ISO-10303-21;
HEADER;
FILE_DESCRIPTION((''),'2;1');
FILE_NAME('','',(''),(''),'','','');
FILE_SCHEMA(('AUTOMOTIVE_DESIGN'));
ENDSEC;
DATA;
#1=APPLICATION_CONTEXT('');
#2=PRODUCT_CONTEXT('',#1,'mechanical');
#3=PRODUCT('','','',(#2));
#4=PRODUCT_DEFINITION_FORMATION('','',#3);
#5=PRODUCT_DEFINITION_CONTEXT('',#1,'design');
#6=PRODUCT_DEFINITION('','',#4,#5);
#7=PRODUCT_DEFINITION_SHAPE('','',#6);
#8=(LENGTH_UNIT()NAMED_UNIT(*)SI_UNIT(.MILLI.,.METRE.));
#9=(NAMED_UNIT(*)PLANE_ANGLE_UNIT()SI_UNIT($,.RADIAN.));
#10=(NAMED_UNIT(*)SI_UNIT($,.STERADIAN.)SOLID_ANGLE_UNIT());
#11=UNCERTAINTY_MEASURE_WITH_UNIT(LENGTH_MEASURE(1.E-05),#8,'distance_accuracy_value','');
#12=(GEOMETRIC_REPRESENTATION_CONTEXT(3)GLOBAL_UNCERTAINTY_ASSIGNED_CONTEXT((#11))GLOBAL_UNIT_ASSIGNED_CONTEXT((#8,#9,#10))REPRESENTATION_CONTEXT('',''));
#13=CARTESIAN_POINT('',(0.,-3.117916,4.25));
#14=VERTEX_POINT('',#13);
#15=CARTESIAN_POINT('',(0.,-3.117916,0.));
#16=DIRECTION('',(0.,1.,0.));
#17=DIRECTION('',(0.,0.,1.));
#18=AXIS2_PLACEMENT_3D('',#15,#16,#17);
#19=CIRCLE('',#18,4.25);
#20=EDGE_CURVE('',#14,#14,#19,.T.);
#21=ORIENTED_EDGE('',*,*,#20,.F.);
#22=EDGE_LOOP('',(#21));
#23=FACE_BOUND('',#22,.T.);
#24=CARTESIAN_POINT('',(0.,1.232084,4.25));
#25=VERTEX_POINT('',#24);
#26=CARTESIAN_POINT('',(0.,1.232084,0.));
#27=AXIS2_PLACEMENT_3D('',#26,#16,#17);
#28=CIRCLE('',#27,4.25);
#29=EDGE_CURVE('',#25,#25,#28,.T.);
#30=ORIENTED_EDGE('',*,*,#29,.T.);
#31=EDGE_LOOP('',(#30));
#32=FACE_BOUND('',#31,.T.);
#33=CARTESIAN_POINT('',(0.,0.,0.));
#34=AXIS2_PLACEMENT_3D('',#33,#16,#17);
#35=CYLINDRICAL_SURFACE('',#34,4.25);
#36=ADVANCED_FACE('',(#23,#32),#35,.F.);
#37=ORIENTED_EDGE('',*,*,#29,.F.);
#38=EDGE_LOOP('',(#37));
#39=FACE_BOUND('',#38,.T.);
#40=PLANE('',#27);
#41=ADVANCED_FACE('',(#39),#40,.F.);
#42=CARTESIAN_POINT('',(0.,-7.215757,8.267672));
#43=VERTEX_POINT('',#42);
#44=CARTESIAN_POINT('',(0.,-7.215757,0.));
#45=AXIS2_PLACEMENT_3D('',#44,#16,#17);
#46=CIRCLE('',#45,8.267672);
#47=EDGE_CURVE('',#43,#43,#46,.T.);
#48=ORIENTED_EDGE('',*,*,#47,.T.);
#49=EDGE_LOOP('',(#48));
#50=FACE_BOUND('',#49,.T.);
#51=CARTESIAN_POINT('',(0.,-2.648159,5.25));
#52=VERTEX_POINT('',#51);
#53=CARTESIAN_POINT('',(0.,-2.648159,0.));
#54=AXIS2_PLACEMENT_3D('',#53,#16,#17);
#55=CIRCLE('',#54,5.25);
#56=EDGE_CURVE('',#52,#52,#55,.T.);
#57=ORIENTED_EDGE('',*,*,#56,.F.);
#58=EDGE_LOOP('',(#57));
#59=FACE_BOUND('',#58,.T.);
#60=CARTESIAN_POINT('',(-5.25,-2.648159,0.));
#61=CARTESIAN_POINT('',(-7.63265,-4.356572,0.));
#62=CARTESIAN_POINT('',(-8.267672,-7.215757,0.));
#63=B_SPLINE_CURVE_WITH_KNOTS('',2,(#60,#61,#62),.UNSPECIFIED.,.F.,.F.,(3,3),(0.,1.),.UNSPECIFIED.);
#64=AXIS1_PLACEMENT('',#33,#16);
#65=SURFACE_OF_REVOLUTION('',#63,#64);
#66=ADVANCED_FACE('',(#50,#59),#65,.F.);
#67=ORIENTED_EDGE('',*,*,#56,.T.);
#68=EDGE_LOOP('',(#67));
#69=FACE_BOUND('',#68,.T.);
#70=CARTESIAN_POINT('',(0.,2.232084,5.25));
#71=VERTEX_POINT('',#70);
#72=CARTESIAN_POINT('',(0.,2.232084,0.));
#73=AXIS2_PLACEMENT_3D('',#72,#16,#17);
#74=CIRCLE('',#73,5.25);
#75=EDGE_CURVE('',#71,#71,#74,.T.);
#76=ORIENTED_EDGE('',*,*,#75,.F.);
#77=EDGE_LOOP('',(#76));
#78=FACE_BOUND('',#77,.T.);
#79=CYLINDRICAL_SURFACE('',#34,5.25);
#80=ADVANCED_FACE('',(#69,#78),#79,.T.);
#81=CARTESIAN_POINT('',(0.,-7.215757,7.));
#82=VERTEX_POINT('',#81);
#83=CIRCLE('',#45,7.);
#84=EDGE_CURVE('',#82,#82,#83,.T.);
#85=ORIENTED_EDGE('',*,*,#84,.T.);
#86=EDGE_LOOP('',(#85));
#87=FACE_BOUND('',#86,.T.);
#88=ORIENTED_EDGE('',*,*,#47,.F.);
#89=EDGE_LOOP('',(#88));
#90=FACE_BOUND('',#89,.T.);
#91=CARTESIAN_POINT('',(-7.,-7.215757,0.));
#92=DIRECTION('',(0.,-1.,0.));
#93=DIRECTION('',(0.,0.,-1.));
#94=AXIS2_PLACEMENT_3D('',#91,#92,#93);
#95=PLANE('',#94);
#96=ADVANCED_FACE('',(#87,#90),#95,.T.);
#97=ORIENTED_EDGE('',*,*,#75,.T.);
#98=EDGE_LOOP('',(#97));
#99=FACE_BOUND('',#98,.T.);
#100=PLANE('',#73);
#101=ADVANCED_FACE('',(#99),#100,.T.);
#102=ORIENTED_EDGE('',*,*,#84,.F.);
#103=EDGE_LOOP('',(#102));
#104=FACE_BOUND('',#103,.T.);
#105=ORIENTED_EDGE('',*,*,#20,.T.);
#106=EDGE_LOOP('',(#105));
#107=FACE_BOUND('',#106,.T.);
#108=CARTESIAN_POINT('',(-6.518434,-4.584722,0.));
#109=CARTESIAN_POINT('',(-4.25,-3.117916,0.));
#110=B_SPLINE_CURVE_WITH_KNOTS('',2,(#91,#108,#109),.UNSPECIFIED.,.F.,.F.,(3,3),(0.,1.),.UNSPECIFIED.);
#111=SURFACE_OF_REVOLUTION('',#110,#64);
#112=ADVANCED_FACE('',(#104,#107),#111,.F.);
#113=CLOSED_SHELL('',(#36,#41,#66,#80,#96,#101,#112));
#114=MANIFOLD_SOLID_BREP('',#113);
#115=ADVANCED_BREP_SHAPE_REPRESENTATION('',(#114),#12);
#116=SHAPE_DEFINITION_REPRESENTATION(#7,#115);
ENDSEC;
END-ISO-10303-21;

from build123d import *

# Parameters (mm, degrees)
EXTRUDE_START   = 1
SKETCH_5_R      = 5.25
EXTRUDE_2_DEPTH = 1


with BuildPart() as part:
    # 草图4 → 旋转1 (revolve)
    with BuildSketch(Plane.XY, mode=Mode.PRIVATE) as revolve_1_sk:
        with BuildLine():
            Line((-5.25, 1.232083698), (-4.25, 1.232083698))
            Line((-4.25, 1.232083698), (-4.25, -3.117916302))
            add(Edge.make_bspline(
                [(-7, -7.215756799), (-6.518434103, -4.584722436), (-4.25, -3.117916302)],
                knots=[0, 0, 0, 1, 1, 1], degree=2))
            Line((-7, -7.215756799), (-8.267671788, -7.215756799))
            add(Edge.make_bspline(
                [(-8.267671788, -7.215756799), (-7.63264977, -4.356571521), (-5.25, -2.648159382)],
                knots=[0, 0, 0, 1, 1, 1], degree=2))
            Line((-5.25, -2.648159382), (-5.25, 1.232083698))
        make_face()
    revolve(revolve_1_sk.sketch.rotate(Axis((0, 0, 0), (0, -1, 0)), 270), axis=Axis((0, 0, 0), (0, -1, 0)))

    # 草图5 → 凸台-拉伸2 (add)
    with BuildSketch(Plane(origin=(0, 1.232083698, 0), x_dir=(1, 0, 0), z_dir=(0, 1, 0)).offset(EXTRUDE_START)):
        with Locations(Location((0, 0, 0), (0, 0, 270))):
            Circle(SKETCH_5_R)
    extrude(amount=-EXTRUDE_2_DEPTH)


solid = part.part
